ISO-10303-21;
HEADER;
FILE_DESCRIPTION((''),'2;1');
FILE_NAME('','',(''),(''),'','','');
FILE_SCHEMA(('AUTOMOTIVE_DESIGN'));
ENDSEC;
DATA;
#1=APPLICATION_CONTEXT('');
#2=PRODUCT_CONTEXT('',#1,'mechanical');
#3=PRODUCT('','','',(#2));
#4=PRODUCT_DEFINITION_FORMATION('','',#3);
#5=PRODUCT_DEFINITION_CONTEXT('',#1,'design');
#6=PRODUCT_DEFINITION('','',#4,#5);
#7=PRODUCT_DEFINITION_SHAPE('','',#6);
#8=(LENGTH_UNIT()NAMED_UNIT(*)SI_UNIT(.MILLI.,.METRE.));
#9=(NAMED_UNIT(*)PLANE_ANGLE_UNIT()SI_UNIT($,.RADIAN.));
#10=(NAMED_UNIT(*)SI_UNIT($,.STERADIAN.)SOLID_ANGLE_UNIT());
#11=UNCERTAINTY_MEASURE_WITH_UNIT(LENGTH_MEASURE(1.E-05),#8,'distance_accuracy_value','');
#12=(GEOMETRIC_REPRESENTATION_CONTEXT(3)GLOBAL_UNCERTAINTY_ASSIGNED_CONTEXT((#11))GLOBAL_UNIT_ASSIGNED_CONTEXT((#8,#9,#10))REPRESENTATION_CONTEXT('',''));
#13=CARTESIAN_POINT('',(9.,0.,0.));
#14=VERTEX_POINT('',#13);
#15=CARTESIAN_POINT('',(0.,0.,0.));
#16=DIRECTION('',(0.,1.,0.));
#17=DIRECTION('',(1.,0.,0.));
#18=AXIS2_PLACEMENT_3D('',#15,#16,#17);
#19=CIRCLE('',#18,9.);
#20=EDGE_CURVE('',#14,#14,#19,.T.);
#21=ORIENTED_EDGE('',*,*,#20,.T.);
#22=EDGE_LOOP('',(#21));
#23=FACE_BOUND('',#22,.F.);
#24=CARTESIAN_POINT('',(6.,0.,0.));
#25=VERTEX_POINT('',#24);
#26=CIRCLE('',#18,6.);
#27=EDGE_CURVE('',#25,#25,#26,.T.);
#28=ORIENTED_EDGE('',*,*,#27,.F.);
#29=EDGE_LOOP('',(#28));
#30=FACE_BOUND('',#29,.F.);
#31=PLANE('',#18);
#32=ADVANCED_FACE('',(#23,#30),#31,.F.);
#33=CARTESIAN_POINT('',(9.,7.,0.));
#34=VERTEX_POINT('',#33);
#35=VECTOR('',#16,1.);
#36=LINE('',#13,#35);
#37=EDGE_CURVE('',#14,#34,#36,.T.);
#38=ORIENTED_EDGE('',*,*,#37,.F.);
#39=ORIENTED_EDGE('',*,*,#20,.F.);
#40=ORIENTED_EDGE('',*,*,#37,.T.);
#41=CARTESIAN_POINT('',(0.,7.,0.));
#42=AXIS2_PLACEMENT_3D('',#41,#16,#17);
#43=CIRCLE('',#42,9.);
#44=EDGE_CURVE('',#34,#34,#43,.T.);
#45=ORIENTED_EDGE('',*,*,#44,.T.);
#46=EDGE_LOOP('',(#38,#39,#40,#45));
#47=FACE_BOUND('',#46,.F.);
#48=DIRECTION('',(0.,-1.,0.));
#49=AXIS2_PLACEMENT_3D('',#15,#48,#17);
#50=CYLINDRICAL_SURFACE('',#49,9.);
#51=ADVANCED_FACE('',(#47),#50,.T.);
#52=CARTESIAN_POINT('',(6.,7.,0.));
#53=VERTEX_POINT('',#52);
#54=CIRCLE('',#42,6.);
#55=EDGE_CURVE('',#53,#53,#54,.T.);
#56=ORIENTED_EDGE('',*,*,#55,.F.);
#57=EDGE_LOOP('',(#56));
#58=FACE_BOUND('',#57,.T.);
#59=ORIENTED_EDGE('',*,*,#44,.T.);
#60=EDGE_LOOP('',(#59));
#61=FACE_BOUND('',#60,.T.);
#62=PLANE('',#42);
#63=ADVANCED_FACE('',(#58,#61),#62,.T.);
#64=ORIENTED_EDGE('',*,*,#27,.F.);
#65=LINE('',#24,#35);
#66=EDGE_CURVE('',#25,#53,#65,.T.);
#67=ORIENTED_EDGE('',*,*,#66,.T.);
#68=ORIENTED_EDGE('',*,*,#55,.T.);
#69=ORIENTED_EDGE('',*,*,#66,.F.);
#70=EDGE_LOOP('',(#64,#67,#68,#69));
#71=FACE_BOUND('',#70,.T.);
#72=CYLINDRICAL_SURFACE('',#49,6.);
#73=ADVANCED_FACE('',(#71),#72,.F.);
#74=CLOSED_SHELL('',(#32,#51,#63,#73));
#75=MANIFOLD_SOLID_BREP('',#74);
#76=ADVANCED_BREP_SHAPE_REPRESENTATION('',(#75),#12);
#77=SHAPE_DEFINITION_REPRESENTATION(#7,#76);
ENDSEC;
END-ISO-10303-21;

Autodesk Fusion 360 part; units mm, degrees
sketch "Sketch1" plane through (0, 0, 0) normal (0, 1, 0) x (1, 0, 0)
  circle A0 centre (0, 0) radius 6
  circle A1 centre (0, 0) radius 9
  dimension "d1" = 12
  dimension "d2" = 18
extrude "Extrude1" add sketch "Sketch1" along normal blind 7
